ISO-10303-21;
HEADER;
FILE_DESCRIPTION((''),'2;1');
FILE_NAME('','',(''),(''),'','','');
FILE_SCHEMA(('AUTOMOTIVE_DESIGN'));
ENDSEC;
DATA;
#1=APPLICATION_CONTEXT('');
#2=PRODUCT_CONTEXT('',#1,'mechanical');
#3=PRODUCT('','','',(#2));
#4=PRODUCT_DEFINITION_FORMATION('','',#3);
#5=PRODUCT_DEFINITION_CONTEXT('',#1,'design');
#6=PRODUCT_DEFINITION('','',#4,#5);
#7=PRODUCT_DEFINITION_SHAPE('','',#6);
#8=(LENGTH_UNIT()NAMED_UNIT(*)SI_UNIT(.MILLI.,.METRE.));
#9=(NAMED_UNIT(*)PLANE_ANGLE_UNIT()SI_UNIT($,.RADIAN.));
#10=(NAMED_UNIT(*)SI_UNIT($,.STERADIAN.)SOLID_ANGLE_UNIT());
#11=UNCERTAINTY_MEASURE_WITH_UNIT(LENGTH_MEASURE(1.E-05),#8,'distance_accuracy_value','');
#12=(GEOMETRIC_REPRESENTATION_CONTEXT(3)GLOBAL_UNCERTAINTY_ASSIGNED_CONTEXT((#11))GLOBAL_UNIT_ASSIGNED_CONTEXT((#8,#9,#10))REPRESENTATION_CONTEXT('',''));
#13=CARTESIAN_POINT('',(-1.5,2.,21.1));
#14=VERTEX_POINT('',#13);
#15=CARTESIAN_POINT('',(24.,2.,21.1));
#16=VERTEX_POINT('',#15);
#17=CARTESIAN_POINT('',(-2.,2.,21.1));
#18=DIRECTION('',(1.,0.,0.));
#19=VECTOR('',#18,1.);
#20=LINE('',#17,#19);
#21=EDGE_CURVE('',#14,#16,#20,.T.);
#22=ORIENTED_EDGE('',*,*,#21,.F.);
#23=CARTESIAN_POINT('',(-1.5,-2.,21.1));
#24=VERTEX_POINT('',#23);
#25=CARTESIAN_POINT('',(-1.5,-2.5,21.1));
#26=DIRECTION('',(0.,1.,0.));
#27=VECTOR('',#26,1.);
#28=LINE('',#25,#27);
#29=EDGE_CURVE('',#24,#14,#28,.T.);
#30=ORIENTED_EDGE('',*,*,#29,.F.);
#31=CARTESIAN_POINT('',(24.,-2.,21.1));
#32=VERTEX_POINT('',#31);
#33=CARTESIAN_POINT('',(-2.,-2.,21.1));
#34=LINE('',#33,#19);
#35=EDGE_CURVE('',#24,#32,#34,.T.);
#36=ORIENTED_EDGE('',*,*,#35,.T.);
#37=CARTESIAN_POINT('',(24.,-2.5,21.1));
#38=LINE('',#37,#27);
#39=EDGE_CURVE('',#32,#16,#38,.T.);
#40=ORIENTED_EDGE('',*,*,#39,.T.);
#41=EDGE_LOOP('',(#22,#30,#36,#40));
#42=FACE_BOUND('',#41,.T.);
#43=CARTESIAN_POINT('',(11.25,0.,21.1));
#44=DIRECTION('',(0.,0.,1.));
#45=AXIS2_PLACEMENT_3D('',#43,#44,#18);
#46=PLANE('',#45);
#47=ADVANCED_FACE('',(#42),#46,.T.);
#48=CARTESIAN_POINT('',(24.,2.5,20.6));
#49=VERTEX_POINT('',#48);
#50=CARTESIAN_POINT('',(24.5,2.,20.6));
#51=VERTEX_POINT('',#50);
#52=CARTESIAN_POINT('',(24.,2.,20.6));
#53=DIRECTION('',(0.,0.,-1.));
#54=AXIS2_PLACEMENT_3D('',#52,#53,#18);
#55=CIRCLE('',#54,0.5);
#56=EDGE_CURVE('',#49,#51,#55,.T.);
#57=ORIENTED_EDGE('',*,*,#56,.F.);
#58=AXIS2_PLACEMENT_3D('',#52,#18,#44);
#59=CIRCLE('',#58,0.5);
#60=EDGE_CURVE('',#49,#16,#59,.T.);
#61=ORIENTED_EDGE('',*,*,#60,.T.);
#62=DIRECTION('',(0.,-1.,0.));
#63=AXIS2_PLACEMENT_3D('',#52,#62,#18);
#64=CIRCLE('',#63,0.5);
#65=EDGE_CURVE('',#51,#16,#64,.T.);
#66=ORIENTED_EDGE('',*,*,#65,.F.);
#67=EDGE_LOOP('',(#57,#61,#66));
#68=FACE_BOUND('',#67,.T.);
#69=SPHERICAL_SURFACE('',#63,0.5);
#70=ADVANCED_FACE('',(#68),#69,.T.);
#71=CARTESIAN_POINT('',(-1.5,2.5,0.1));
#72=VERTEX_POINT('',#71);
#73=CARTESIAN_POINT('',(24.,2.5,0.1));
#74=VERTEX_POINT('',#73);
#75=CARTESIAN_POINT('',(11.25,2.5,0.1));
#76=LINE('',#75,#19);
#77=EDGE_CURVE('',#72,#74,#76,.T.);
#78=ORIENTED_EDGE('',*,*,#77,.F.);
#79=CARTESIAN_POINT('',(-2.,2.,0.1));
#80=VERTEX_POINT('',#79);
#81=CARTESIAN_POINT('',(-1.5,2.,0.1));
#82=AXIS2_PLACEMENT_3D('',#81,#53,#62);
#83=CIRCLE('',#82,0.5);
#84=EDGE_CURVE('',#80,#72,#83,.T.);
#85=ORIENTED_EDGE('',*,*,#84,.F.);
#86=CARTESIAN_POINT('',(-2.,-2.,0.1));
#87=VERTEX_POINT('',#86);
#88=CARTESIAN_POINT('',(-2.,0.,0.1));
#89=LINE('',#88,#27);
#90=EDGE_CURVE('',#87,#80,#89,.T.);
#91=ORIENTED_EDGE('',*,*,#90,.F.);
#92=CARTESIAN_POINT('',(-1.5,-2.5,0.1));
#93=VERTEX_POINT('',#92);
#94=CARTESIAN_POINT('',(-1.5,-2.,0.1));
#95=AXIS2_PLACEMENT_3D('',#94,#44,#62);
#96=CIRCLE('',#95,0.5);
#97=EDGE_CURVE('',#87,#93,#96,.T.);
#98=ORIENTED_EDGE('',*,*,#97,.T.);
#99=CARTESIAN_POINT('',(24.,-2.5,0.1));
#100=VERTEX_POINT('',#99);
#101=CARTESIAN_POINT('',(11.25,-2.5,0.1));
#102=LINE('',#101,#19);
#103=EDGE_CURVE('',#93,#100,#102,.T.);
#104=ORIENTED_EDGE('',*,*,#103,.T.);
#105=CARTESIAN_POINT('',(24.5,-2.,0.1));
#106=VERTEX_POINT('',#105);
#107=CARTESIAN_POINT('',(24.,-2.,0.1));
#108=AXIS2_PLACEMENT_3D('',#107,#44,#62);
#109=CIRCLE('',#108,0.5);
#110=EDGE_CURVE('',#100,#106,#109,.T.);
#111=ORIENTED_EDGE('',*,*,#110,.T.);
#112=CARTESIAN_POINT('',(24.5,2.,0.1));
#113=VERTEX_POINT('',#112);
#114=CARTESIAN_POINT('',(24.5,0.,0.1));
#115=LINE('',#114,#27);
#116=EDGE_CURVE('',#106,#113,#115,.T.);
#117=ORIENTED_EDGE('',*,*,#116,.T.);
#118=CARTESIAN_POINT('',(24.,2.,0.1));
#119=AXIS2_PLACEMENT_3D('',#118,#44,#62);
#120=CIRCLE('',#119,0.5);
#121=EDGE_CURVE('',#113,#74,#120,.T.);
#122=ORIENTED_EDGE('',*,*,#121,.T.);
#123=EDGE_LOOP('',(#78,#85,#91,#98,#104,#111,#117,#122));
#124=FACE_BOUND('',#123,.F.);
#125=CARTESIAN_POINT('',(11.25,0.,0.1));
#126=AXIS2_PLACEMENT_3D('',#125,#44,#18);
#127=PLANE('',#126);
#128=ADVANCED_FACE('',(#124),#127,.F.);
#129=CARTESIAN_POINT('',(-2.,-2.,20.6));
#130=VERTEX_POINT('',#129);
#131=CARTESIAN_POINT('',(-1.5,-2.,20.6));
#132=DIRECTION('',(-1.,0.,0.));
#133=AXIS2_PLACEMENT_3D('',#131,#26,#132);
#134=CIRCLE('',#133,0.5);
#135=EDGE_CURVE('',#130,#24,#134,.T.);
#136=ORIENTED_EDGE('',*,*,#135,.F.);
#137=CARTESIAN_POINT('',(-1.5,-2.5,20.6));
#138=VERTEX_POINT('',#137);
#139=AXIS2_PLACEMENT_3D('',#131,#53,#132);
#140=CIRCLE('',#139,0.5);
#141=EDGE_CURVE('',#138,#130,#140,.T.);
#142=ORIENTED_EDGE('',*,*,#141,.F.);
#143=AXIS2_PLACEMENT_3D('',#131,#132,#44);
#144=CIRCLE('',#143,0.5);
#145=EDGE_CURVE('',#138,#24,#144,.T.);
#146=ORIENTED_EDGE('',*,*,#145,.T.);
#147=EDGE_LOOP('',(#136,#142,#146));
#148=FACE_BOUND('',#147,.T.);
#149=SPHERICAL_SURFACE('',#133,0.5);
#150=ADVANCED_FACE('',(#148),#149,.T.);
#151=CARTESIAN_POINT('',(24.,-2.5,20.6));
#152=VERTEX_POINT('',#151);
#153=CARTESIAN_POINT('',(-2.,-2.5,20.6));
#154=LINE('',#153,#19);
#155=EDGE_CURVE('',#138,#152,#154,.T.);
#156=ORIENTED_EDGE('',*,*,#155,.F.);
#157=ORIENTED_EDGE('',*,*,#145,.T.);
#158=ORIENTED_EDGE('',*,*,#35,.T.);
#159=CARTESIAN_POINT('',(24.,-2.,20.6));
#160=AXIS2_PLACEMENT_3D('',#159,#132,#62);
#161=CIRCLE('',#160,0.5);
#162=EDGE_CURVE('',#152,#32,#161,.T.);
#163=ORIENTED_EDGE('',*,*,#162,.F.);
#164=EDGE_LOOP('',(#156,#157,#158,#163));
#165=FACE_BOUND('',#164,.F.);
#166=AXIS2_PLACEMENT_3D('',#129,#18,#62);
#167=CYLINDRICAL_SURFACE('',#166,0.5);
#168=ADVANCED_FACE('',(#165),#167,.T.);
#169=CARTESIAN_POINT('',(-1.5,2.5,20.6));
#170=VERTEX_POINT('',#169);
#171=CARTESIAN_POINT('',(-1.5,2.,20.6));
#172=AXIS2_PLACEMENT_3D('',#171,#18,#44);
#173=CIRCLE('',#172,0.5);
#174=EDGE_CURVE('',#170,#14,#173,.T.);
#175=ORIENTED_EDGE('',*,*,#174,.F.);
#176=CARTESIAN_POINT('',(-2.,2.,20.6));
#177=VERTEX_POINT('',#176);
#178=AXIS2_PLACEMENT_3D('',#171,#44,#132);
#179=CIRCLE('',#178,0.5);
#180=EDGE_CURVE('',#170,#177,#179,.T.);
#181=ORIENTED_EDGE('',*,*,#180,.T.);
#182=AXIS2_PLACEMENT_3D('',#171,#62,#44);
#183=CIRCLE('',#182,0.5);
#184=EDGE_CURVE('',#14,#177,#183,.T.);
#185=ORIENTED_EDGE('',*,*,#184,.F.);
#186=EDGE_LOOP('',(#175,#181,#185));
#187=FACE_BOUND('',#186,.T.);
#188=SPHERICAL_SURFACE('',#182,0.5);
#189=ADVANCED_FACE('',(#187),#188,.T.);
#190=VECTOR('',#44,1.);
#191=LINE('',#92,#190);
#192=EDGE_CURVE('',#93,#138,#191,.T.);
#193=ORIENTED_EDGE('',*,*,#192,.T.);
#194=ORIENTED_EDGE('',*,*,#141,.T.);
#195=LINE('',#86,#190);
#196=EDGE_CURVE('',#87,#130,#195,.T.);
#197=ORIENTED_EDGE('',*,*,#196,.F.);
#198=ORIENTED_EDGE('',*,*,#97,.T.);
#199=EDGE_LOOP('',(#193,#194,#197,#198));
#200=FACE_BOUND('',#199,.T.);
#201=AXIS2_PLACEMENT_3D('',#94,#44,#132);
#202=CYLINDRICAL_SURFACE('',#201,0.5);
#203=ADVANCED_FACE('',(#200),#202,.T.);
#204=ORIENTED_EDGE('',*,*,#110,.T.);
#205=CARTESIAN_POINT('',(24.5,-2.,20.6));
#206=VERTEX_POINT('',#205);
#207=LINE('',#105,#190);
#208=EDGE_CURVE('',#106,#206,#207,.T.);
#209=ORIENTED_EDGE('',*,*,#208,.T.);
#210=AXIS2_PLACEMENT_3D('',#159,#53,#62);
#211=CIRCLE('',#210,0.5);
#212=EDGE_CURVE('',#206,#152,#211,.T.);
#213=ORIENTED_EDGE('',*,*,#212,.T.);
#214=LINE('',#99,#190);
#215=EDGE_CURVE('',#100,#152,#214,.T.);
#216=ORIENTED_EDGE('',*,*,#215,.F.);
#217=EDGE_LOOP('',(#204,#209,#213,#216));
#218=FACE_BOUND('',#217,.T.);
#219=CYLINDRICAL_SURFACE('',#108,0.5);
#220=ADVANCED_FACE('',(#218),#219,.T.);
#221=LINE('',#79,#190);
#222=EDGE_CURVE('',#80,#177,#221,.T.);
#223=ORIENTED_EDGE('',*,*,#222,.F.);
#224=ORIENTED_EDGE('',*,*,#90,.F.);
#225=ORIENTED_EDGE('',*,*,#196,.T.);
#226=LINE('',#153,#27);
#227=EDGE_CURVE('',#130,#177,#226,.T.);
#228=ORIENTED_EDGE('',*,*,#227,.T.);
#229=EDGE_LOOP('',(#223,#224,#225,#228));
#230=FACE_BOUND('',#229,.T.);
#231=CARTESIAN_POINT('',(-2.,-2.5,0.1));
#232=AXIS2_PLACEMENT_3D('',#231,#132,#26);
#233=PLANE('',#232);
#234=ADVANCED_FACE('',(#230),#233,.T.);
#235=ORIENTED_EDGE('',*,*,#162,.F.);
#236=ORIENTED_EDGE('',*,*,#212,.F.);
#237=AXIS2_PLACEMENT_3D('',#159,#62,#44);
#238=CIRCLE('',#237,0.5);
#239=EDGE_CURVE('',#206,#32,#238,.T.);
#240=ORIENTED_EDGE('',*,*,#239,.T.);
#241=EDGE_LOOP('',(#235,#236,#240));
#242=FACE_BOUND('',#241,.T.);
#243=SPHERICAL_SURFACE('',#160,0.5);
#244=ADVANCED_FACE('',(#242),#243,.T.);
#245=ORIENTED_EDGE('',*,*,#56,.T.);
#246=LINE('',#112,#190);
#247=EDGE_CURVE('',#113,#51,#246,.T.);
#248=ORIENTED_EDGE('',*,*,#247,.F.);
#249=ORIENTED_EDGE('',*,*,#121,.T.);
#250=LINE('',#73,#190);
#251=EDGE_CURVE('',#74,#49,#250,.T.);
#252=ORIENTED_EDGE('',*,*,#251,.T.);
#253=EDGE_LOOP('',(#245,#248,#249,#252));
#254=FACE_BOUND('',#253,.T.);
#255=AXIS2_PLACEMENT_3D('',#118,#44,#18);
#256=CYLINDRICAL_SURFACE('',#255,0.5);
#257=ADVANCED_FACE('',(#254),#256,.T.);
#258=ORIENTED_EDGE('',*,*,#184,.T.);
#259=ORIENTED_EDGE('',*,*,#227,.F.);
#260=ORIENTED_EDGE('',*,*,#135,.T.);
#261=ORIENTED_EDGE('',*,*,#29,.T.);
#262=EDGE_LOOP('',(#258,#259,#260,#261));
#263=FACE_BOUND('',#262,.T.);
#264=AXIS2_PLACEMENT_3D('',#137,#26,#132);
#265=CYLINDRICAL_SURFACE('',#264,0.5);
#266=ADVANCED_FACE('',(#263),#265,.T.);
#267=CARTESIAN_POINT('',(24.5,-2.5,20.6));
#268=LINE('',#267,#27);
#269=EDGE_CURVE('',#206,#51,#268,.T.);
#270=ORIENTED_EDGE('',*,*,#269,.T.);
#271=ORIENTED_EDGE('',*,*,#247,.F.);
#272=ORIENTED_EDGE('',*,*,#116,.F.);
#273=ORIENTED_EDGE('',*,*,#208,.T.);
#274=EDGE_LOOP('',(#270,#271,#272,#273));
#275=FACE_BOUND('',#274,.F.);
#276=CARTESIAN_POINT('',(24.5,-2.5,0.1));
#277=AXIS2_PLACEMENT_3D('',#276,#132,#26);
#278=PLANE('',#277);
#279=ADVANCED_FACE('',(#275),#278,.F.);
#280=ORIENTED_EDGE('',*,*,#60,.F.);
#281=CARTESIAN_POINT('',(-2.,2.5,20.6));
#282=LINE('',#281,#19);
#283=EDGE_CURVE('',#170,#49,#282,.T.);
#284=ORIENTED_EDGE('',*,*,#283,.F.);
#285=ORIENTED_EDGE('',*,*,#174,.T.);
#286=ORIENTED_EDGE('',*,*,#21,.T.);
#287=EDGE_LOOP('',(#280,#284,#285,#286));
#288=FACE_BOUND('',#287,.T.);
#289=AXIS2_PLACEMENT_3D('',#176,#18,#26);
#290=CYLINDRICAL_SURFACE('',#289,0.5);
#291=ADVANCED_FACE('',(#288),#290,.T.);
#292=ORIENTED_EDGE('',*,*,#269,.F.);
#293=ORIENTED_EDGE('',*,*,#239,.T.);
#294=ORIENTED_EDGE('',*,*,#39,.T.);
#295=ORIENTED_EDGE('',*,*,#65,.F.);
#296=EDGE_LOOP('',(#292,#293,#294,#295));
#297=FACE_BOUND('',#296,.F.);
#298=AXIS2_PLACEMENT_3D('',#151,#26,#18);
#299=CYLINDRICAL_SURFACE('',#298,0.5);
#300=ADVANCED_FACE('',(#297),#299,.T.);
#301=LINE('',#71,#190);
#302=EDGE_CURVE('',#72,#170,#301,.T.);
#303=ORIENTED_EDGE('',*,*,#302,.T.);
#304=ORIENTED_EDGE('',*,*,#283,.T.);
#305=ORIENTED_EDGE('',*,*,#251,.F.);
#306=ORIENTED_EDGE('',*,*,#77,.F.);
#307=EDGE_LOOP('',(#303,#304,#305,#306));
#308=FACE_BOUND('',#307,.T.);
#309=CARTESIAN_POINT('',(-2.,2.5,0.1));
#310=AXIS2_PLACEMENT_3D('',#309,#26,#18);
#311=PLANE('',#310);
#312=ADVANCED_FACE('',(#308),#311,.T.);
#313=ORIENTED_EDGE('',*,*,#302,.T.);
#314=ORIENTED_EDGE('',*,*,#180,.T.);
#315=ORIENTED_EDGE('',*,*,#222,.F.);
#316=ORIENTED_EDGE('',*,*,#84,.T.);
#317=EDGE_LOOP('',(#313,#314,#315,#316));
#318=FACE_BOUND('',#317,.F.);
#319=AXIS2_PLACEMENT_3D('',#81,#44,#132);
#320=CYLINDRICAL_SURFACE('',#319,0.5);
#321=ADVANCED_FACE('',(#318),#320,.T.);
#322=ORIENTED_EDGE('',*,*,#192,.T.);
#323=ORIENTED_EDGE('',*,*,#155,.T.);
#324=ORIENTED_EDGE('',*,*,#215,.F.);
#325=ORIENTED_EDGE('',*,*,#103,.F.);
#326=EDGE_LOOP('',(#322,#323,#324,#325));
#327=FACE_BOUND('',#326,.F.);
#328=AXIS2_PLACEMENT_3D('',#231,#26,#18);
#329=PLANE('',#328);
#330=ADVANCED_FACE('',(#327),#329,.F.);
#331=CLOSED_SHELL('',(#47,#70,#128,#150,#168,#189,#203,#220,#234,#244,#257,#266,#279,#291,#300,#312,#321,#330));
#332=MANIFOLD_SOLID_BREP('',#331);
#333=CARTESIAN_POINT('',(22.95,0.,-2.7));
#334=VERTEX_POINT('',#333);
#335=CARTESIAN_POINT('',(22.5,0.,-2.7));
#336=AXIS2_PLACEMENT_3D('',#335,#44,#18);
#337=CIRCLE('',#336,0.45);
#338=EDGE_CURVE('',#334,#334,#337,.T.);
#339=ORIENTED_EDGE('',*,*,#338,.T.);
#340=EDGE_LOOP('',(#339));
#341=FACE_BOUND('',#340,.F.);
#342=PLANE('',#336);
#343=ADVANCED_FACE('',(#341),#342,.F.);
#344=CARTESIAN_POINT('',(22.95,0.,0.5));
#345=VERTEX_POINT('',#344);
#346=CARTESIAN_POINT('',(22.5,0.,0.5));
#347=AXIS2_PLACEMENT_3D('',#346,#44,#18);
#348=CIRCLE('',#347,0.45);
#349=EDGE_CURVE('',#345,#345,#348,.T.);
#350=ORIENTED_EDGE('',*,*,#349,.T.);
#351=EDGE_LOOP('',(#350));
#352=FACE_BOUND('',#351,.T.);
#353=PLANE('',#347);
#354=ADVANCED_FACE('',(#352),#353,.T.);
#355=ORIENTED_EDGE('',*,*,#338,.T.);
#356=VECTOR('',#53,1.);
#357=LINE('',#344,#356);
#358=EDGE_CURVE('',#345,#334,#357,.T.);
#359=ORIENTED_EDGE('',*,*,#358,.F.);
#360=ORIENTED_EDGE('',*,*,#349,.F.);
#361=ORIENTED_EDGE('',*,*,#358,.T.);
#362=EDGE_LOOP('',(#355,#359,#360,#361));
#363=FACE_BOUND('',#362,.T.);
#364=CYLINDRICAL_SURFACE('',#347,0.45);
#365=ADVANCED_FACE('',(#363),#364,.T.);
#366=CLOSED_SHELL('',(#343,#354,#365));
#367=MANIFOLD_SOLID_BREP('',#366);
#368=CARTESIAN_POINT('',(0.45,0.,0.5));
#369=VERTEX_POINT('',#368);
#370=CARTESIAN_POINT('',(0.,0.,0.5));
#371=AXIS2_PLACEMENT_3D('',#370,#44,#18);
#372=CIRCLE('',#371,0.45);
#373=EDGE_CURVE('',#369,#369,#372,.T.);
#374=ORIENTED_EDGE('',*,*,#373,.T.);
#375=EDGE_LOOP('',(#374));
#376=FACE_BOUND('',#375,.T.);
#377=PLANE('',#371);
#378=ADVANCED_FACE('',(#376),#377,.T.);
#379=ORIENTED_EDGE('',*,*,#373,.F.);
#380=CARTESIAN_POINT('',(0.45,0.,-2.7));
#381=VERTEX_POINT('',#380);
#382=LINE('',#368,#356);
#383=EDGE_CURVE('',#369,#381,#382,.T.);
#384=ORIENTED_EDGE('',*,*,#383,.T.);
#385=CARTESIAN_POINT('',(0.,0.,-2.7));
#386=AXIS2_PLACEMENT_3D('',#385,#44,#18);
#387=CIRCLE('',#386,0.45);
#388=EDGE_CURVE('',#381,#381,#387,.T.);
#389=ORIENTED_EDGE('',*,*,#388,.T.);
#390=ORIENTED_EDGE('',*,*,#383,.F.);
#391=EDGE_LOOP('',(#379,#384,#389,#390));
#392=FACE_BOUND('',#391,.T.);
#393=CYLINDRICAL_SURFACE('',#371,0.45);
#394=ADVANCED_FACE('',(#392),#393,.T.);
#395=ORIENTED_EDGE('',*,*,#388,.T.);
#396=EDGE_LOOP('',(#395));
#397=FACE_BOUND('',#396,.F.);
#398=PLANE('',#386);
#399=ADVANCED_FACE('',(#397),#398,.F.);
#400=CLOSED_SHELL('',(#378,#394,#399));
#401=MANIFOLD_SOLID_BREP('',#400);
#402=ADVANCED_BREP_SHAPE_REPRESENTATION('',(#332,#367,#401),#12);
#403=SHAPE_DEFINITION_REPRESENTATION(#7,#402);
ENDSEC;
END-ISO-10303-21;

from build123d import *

# Parameters (mm, degrees)
SKETCH_W     = 26.5
SKETCH_H     = 5
PAD_DEPTH    = 21
FILLET_R     = 0.5
SKETCH001_R  = 0.45
PAD001_DEPTH = 3.2


with BuildPart() as fillet_body:
    # Sketch → Pad (new body)
    with BuildSketch(Plane.XY.offset(0.1)):
        with Locations((11.25, 0)):
            Rectangle(SKETCH_W, SKETCH_H)
    extrude(amount=PAD_DEPTH)

    # Fillet
    fillet_edges = [fillet_body.edges().sort_by_distance(p)[0] for p in [
        (-2, 0, 21.1),
        (-2, -2.5, 10.6),
        (11.25, -2.5, 21.1),
        (24.5, -2.5, 10.6),
        (24.5, 0, 21.1),
        (24.5, 2.5, 10.6),
        (11.25, 2.5, 21.1),
        (-2, 2.5, 10.6),
    ]]
    fillet(fillet_edges, radius=FILLET_R)


with BuildPart() as pad001:
    # Sketch001 → Pad001 (new body)
    with BuildSketch(Plane.XY.offset(0.5)):
        Circle(SKETCH001_R)
        with Locations((22.5, 0)):
            Circle(SKETCH001_R)
    extrude(amount=-PAD001_DEPTH)


solid = Compound([fillet_body.part, pad001.part])
